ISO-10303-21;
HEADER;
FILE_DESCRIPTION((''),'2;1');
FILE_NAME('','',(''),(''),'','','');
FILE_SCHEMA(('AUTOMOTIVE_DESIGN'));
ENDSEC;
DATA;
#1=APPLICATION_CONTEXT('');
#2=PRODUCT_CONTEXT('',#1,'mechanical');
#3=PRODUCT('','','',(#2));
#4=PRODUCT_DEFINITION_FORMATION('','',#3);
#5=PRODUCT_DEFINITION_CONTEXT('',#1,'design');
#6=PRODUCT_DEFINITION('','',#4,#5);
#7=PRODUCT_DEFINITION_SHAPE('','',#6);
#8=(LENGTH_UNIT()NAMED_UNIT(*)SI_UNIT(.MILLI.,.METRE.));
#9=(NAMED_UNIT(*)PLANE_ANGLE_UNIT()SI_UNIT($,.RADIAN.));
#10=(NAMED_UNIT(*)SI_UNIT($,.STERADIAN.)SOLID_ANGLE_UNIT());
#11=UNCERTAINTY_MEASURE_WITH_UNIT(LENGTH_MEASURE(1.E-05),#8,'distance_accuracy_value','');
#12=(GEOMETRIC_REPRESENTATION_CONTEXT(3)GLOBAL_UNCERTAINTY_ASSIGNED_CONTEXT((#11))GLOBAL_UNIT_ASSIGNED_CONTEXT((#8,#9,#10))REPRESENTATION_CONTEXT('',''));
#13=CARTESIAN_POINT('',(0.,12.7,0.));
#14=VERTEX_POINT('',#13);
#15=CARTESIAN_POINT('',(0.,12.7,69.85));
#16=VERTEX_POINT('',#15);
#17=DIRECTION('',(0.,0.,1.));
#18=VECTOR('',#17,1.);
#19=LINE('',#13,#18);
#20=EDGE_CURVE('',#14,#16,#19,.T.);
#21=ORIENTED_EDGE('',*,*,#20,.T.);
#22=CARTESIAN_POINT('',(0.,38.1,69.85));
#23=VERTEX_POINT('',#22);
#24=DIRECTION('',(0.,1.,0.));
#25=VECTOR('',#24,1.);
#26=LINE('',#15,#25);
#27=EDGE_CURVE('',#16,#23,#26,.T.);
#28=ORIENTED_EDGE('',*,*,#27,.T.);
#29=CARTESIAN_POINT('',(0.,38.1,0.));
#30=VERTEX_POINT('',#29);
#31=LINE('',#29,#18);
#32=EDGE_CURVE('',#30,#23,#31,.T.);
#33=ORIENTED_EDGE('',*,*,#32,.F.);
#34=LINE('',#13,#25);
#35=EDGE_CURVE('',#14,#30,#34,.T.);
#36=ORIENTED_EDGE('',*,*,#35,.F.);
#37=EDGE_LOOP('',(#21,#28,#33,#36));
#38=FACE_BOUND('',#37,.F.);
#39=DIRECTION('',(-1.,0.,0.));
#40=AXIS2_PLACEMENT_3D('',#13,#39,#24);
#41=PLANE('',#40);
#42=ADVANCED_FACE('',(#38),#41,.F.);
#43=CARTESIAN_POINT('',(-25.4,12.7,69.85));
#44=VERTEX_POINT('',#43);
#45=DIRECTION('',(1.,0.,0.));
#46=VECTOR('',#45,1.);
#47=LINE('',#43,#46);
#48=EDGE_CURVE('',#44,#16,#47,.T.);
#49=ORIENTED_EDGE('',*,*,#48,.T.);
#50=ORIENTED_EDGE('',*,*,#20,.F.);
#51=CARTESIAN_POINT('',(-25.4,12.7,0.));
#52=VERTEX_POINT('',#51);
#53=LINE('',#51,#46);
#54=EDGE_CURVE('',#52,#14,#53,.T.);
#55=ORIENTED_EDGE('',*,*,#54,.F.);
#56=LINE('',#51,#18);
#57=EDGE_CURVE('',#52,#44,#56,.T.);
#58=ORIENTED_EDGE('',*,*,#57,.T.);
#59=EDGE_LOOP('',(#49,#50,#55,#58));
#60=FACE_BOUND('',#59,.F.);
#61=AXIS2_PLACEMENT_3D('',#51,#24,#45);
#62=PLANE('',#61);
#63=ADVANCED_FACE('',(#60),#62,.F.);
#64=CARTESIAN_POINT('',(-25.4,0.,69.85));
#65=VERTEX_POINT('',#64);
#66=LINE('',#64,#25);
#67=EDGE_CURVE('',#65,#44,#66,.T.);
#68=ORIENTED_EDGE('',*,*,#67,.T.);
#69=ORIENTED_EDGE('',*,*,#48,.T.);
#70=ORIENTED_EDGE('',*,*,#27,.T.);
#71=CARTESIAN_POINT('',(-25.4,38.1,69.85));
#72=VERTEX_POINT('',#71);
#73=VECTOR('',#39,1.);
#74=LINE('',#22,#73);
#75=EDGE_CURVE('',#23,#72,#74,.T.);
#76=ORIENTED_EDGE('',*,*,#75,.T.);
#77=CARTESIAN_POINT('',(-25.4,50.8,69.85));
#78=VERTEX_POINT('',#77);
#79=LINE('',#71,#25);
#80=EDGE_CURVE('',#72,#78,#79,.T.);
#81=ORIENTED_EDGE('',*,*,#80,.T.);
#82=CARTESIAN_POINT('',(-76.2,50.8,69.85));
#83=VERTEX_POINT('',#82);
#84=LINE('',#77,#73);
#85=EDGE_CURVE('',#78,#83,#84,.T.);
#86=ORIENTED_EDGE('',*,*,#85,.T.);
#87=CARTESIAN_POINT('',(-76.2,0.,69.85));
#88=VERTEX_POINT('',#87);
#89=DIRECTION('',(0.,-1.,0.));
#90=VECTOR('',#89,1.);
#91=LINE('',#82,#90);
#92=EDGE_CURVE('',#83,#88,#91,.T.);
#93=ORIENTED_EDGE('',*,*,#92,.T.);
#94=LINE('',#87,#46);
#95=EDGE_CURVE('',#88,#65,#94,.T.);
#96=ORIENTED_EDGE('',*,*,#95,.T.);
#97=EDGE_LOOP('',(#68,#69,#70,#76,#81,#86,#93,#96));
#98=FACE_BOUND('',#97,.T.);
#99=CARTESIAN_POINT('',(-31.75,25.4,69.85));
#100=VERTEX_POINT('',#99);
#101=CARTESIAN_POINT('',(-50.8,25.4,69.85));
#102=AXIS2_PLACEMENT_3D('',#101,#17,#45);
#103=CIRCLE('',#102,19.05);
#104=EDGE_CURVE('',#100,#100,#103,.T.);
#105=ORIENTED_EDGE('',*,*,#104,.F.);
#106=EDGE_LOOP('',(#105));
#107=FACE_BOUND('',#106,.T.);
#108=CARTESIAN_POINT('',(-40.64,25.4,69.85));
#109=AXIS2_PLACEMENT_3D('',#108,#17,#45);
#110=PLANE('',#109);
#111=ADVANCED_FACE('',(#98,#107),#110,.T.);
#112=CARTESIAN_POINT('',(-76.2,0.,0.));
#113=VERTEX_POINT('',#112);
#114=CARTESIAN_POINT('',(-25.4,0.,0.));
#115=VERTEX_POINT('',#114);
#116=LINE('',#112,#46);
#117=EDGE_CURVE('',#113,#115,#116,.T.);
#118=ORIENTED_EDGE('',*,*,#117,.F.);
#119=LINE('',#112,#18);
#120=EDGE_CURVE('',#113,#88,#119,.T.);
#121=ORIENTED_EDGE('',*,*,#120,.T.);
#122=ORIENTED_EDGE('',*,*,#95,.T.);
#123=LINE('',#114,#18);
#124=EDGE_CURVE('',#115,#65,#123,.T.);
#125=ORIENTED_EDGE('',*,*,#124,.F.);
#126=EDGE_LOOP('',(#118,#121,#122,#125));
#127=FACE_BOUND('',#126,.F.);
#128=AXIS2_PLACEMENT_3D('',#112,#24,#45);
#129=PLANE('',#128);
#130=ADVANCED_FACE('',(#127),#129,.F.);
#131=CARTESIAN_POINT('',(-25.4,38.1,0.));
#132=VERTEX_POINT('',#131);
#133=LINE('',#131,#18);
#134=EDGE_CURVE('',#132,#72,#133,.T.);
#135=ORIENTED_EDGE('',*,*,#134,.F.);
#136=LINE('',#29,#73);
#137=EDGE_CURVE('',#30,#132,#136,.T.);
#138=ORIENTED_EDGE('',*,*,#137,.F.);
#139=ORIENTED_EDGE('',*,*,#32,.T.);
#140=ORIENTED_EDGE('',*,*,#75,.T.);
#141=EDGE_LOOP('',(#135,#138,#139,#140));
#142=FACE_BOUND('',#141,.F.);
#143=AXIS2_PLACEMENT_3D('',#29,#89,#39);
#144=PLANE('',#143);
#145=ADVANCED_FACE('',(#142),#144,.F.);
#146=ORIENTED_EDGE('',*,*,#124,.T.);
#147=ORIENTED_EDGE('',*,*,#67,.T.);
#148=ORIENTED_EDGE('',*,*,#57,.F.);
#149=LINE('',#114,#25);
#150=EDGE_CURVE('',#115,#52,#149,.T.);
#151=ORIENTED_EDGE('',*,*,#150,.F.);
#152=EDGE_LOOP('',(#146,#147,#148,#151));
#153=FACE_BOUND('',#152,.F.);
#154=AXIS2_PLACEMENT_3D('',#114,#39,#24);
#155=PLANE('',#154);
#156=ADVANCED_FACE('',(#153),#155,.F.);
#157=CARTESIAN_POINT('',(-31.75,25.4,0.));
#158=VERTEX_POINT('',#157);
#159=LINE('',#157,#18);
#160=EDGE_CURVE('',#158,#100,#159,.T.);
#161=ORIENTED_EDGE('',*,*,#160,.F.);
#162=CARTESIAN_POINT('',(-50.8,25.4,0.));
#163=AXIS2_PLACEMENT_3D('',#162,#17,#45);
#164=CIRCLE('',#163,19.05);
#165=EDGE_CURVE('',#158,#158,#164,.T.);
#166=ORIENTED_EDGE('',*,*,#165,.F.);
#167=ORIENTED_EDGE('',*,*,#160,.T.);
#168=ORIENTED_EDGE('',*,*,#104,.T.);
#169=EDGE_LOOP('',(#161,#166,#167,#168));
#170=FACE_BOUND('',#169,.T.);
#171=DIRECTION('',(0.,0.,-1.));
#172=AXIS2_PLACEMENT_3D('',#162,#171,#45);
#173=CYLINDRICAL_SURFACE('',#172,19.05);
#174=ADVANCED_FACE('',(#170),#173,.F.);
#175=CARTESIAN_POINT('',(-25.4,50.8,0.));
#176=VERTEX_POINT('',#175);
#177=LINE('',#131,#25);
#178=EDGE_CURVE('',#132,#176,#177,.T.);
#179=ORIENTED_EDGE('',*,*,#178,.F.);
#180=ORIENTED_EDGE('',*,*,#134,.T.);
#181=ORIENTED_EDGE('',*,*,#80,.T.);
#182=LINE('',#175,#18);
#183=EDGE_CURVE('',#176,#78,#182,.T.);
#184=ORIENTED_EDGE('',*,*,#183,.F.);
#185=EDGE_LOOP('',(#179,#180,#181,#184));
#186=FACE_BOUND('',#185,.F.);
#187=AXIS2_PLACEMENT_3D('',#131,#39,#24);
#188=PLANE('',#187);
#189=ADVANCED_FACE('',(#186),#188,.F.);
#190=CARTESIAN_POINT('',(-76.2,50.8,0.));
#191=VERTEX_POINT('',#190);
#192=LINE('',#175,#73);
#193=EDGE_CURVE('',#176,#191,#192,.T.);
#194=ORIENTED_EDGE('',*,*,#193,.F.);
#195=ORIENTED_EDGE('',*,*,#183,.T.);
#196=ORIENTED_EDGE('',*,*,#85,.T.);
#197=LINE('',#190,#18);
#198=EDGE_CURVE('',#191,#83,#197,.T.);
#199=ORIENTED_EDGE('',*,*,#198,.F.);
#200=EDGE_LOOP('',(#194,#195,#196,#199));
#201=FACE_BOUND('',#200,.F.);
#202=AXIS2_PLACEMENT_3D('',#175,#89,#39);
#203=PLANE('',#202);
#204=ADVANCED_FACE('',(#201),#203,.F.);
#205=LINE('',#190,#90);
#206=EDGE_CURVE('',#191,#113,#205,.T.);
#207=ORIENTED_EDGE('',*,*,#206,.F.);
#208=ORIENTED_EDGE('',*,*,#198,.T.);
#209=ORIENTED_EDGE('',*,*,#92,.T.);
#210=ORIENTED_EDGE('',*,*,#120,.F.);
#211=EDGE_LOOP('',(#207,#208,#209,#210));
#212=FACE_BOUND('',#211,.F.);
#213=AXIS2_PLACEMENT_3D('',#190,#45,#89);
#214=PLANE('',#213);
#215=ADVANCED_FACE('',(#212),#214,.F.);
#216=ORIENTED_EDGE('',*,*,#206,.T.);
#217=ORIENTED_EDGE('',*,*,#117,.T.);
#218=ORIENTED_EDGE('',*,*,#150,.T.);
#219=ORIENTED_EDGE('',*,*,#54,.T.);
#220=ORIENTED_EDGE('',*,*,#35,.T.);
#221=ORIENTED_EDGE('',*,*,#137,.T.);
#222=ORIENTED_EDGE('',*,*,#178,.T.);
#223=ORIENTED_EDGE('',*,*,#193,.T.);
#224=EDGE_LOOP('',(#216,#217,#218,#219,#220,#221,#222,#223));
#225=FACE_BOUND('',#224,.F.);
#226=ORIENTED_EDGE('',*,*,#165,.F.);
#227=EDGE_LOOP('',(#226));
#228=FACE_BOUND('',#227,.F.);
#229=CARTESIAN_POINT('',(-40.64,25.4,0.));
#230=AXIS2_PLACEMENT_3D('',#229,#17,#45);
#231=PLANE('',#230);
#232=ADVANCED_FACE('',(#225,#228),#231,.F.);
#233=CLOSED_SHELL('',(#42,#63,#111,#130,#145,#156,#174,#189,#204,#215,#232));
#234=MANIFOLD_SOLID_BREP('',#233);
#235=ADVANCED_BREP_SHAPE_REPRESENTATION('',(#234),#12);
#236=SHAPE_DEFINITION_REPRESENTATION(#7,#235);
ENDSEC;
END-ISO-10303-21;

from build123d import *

# Parameters (mm, degrees)
F0_R     = 19.05
F1_DEPTH = 69.85


with BuildPart() as f1:
    # F0 (on Top) → F1 (new body)
    with BuildSketch(Plane.XY):
        Polygon((-76.2, 0), (-25.4, 0), (-25.4, 12.7), (0, 12.7), (0, 38.1), (-25.4, 38.1), (-25.4, 50.8), (-76.2, 50.8), align=None)
        with Locations((-50.8, 25.4)):
            Circle(F0_R, mode=Mode.SUBTRACT)
    extrude(amount=F1_DEPTH)


solid = f1.part
